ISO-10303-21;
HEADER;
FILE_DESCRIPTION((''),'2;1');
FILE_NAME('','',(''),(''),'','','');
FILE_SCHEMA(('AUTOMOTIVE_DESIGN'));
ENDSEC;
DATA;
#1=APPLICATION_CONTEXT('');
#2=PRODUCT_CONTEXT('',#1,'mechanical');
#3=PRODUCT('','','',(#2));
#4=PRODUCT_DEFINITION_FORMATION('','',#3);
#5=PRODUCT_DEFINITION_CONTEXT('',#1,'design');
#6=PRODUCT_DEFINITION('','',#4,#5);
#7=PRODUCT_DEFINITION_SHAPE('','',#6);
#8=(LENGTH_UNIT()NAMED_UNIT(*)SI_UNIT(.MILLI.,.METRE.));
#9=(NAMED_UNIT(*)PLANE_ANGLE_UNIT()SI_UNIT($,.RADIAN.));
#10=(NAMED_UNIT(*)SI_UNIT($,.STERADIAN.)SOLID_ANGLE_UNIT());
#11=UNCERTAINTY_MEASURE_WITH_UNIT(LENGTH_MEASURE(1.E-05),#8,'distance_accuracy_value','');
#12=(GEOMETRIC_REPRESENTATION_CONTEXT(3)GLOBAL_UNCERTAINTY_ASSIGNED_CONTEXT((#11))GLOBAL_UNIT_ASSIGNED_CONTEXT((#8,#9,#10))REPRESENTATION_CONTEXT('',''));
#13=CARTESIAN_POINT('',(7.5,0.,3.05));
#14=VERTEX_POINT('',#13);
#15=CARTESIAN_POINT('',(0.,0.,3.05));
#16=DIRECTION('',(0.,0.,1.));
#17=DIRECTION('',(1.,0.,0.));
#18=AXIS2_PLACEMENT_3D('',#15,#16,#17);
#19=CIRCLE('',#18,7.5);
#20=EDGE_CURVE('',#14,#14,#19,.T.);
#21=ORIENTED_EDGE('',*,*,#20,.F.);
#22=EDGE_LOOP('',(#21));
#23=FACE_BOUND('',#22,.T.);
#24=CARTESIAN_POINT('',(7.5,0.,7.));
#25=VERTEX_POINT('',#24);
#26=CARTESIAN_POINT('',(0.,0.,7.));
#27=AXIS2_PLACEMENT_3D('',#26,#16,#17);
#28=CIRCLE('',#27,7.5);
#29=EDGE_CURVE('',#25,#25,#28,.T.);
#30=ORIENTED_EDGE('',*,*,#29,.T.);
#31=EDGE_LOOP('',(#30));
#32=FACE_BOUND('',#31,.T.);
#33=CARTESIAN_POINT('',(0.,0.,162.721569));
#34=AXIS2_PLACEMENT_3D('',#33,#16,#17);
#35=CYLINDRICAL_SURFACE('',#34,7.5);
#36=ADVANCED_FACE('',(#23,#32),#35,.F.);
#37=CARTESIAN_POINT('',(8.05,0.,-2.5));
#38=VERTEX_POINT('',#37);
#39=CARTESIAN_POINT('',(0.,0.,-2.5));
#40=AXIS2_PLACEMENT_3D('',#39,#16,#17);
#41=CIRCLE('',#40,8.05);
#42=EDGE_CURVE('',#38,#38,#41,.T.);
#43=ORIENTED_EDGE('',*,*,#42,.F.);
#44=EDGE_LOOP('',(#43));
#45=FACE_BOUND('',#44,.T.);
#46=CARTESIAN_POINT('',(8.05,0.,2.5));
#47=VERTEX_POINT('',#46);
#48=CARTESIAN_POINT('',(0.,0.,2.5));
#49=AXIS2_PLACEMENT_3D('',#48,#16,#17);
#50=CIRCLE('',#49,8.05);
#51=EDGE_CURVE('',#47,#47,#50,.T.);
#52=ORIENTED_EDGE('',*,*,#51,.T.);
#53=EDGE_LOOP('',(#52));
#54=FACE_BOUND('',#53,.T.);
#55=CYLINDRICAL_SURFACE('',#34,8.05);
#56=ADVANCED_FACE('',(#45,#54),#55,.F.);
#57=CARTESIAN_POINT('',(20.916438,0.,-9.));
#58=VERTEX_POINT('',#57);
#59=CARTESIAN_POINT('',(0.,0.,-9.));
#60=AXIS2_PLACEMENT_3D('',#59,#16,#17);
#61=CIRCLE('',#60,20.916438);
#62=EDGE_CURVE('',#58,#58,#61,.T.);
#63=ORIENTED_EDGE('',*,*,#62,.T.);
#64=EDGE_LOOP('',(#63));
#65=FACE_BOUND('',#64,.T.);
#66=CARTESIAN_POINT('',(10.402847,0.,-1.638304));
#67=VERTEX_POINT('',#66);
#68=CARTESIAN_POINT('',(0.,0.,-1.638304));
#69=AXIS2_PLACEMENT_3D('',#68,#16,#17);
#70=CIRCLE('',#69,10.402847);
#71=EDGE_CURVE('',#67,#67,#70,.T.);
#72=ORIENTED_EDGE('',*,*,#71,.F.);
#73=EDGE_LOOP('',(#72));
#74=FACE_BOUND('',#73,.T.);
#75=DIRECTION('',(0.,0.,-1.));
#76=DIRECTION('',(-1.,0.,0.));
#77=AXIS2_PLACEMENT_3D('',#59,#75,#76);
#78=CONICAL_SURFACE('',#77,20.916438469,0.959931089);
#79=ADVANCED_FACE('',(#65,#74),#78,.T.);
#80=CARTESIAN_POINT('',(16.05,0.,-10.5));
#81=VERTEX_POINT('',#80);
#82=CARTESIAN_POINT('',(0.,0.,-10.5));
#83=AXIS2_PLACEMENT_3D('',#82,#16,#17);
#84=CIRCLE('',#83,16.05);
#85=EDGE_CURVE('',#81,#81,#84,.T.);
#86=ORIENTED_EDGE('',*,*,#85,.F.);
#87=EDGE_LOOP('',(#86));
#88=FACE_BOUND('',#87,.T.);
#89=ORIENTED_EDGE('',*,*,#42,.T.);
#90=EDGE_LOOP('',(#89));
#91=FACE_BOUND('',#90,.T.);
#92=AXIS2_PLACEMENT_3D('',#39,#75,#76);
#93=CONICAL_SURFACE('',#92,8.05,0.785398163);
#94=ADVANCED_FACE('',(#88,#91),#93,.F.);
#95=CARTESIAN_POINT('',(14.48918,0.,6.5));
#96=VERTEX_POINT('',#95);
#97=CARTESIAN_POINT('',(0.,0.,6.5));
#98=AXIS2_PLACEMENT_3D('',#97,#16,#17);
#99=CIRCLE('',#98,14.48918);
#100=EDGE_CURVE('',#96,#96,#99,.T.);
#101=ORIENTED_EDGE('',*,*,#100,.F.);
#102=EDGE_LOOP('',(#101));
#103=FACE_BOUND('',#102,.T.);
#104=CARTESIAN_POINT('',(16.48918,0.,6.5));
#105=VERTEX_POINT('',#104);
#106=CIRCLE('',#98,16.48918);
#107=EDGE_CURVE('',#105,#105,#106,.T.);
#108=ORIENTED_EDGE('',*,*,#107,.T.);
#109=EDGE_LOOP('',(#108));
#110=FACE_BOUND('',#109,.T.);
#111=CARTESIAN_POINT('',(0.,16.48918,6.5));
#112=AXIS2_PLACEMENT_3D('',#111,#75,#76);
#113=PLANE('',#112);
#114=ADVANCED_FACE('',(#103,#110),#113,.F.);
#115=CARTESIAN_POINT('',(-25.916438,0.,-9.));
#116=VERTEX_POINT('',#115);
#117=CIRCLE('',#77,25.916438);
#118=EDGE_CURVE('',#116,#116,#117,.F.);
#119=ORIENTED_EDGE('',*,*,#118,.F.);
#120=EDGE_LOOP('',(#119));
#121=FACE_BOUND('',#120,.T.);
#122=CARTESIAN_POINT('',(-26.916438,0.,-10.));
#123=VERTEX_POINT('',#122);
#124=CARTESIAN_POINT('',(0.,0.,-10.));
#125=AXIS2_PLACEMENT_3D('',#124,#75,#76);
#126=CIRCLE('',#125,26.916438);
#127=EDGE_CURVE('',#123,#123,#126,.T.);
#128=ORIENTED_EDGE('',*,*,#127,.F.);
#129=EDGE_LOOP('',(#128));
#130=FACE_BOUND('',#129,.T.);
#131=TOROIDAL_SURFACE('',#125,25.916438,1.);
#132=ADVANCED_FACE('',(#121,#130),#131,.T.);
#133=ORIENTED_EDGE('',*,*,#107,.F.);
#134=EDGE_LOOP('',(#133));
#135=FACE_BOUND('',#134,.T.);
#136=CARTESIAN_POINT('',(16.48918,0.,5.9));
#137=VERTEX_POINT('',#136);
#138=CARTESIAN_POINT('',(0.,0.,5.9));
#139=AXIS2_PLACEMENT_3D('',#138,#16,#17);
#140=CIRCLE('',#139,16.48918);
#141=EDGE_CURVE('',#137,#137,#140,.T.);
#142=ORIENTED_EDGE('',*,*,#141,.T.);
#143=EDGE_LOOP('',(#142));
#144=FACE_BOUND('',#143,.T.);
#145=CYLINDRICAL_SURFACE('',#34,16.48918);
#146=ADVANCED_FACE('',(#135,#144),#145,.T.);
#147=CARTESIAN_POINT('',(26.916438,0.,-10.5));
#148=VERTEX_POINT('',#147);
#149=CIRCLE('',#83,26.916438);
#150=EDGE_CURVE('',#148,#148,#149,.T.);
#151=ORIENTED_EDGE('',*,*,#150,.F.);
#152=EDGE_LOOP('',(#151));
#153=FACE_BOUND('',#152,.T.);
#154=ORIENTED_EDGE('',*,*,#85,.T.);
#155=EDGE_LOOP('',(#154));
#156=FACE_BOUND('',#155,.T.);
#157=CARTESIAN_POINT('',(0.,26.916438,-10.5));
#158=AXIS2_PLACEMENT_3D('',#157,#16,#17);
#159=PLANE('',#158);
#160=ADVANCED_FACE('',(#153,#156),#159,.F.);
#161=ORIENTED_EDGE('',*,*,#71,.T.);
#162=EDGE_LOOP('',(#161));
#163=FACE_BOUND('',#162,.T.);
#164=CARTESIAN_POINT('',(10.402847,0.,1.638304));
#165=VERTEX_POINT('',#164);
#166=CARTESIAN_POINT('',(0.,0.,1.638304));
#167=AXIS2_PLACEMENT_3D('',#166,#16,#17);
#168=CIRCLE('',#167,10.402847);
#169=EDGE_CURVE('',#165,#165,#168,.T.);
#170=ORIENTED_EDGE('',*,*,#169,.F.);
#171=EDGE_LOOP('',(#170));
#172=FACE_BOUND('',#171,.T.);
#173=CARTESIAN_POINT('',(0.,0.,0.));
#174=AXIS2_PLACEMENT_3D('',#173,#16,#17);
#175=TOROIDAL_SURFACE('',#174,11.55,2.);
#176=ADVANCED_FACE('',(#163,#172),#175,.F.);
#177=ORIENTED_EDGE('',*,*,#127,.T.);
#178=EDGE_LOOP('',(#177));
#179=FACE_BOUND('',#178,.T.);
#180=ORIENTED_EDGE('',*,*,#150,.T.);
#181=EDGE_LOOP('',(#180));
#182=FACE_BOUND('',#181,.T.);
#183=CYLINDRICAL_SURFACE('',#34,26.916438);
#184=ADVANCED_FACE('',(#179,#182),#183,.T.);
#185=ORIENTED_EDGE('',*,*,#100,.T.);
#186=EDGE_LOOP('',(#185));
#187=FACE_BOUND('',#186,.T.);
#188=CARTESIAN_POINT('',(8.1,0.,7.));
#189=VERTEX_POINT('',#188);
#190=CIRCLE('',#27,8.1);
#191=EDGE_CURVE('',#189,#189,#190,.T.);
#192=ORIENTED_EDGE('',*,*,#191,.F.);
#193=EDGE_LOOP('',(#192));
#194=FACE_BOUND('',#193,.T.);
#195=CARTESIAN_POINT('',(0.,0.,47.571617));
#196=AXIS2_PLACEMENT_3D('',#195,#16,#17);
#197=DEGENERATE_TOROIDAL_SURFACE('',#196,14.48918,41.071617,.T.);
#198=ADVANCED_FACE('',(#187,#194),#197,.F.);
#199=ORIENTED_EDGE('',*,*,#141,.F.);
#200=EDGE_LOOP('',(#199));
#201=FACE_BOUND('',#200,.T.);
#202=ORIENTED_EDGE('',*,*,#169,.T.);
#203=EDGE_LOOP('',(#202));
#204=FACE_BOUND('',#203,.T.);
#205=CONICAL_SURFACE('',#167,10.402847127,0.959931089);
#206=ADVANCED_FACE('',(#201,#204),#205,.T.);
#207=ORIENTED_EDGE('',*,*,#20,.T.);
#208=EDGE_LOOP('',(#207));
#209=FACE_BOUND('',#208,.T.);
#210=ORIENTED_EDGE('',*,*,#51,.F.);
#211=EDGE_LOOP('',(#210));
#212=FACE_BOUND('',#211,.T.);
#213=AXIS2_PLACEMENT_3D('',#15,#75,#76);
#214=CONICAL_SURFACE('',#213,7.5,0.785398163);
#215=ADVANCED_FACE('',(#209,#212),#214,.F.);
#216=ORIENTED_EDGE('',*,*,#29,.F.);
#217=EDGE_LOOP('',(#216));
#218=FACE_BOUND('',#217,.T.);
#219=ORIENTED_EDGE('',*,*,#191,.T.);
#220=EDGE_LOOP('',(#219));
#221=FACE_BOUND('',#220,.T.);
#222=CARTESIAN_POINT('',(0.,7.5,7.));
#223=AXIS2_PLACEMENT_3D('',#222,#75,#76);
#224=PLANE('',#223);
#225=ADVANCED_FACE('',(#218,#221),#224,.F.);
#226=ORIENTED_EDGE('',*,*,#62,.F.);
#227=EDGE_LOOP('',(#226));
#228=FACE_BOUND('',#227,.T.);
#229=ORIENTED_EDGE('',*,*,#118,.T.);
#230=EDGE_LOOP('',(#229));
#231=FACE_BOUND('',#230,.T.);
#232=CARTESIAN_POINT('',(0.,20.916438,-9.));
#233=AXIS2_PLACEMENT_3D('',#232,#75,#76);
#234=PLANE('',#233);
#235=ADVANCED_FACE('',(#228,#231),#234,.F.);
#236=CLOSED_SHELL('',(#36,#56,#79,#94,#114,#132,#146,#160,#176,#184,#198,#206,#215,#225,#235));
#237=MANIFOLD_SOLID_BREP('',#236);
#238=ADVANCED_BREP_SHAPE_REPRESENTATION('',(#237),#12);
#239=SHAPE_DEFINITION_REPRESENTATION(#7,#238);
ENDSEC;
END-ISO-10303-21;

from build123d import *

# Parameters (mm, degrees)
FILLET1_R = 1


with BuildPart() as part:
    # Sketch1 → Revolve1 (revolve)
    with BuildSketch(Plane(origin=(0, 0, 0), x_dir=(0, 0, -1), z_dir=(1, 0, 0))):
        with BuildLine():
            Line((-2.5, 8.05), (2.5, 8.05))
            Line((2.5, 8.05), (10.5, 16.05))
            Line((10.5, 16.05), (10.5, 26.916438469))
            Line((10.5, 26.916438469), (9, 26.916438469))
            Line((9, 26.916438469), (9, 20.916438469))
            Line((9, 20.916438469), (1.638304089, 10.402847127))
            ThreePointArc((1.638304089, 10.402847127), (0, 9.55), (-1.638304089, 10.402847127))
            Line((-1.638304089, 10.402847127), (-5.9, 16.489179649))
            Line((-5.9, 16.489179649), (-6.5, 16.489179649))
            Line((-6.5, 16.489179649), (-6.5, 14.489179649))
            ThreePointArc((-6.5, 14.489179649), (-6.625190798, 11.284822592), (-7, 8.1))
            Line((-7, 8.1), (-7, 7.5))
            Line((-7, 7.5), (-3.05, 7.5))
            Line((-3.05, 7.5), (-2.5, 8.05))
        make_face()
    revolve(axis=Axis((0, 0, 162.721569491), (0, 0, -1)))

    # Fillet1
    fillet1_edges = [part.edges().sort_by_distance(p)[0] for p in [
        (0, -26.916438469, -9),
    ]]
    fillet(fillet1_edges, radius=FILLET1_R)


solid = part.part
